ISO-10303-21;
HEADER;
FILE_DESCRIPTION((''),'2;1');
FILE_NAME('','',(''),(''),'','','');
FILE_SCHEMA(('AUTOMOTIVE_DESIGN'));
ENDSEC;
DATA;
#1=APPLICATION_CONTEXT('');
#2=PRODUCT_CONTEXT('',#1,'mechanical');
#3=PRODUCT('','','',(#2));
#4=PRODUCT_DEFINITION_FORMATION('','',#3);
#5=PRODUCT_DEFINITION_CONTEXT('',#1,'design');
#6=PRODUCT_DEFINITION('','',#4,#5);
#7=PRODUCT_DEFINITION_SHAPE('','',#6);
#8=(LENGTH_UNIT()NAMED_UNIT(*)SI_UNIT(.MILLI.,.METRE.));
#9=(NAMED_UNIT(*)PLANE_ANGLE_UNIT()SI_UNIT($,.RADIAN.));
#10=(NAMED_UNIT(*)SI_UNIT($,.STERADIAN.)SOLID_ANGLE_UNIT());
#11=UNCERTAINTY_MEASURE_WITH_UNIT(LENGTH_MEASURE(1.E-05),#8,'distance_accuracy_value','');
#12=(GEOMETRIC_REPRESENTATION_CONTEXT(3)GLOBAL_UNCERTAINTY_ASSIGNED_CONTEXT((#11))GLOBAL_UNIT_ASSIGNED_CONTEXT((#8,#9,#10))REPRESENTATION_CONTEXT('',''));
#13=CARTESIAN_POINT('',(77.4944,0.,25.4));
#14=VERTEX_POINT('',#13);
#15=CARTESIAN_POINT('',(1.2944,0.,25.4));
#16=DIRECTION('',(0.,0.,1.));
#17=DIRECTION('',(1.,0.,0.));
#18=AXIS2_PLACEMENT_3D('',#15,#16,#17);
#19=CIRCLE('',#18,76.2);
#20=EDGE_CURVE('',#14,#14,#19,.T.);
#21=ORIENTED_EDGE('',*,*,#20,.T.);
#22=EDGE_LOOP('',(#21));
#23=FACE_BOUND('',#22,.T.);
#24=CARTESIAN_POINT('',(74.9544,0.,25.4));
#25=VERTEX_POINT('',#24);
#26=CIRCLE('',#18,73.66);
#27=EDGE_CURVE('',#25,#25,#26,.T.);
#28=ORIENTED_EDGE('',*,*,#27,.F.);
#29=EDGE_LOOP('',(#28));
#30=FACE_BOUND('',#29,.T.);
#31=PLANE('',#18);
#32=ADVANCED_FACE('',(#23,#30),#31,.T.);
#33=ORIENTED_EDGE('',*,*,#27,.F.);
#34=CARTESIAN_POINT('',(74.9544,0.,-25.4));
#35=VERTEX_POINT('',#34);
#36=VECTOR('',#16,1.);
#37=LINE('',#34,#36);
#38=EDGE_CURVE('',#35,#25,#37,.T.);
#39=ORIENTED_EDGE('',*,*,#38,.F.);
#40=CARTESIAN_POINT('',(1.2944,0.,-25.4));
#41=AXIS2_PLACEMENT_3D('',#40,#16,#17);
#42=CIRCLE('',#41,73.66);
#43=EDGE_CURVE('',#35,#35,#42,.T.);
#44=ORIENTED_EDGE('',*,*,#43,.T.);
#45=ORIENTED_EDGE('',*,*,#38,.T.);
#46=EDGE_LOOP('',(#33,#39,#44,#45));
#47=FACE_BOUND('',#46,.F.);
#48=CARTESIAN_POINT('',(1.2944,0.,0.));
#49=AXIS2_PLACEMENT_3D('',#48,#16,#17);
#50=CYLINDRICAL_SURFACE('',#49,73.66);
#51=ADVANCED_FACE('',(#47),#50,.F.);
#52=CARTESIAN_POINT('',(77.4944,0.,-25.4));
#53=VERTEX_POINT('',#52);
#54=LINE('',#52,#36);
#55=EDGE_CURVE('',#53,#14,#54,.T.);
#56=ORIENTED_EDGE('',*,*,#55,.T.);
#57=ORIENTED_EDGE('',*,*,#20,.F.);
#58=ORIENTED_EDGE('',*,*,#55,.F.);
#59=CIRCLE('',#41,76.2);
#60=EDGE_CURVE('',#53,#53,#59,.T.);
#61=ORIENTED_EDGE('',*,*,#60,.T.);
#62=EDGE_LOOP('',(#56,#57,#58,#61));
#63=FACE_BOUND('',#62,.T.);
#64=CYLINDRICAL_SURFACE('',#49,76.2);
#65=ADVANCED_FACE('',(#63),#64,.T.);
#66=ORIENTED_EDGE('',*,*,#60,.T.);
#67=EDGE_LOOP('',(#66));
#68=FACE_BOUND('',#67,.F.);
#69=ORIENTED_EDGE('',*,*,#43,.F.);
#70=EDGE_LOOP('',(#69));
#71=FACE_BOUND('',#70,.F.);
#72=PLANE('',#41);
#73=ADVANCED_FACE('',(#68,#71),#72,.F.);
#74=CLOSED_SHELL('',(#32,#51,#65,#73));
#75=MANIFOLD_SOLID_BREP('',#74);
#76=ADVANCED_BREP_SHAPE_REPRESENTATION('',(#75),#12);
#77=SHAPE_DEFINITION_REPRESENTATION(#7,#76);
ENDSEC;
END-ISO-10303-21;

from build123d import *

# Parameters (mm, degrees)
F0_R          = 76.2
F1_DEPTH      = 25.4
F1_DEPTH_BACK = 25.4
F2_T          = -2.54


with BuildPart() as f1:
    # F0 (on Top) → F1 (new body, two sides)
    with BuildSketch(Plane.XY) as f1_sk:
        with Locations((1.2944, 0)):
            Circle(F0_R)
    extrude(amount=F1_DEPTH)
    extrude(f1_sk.sketch, amount=-F1_DEPTH_BACK)

    # F2
    f2_openings = [f1.faces().sort_by_distance(p)[0] for p in [
        (1.2944, 0, 25.4),
        (1.2944, 0, -25.4),
    ]]
    offset(amount=F2_T, openings=f2_openings)


solid = f1.part
